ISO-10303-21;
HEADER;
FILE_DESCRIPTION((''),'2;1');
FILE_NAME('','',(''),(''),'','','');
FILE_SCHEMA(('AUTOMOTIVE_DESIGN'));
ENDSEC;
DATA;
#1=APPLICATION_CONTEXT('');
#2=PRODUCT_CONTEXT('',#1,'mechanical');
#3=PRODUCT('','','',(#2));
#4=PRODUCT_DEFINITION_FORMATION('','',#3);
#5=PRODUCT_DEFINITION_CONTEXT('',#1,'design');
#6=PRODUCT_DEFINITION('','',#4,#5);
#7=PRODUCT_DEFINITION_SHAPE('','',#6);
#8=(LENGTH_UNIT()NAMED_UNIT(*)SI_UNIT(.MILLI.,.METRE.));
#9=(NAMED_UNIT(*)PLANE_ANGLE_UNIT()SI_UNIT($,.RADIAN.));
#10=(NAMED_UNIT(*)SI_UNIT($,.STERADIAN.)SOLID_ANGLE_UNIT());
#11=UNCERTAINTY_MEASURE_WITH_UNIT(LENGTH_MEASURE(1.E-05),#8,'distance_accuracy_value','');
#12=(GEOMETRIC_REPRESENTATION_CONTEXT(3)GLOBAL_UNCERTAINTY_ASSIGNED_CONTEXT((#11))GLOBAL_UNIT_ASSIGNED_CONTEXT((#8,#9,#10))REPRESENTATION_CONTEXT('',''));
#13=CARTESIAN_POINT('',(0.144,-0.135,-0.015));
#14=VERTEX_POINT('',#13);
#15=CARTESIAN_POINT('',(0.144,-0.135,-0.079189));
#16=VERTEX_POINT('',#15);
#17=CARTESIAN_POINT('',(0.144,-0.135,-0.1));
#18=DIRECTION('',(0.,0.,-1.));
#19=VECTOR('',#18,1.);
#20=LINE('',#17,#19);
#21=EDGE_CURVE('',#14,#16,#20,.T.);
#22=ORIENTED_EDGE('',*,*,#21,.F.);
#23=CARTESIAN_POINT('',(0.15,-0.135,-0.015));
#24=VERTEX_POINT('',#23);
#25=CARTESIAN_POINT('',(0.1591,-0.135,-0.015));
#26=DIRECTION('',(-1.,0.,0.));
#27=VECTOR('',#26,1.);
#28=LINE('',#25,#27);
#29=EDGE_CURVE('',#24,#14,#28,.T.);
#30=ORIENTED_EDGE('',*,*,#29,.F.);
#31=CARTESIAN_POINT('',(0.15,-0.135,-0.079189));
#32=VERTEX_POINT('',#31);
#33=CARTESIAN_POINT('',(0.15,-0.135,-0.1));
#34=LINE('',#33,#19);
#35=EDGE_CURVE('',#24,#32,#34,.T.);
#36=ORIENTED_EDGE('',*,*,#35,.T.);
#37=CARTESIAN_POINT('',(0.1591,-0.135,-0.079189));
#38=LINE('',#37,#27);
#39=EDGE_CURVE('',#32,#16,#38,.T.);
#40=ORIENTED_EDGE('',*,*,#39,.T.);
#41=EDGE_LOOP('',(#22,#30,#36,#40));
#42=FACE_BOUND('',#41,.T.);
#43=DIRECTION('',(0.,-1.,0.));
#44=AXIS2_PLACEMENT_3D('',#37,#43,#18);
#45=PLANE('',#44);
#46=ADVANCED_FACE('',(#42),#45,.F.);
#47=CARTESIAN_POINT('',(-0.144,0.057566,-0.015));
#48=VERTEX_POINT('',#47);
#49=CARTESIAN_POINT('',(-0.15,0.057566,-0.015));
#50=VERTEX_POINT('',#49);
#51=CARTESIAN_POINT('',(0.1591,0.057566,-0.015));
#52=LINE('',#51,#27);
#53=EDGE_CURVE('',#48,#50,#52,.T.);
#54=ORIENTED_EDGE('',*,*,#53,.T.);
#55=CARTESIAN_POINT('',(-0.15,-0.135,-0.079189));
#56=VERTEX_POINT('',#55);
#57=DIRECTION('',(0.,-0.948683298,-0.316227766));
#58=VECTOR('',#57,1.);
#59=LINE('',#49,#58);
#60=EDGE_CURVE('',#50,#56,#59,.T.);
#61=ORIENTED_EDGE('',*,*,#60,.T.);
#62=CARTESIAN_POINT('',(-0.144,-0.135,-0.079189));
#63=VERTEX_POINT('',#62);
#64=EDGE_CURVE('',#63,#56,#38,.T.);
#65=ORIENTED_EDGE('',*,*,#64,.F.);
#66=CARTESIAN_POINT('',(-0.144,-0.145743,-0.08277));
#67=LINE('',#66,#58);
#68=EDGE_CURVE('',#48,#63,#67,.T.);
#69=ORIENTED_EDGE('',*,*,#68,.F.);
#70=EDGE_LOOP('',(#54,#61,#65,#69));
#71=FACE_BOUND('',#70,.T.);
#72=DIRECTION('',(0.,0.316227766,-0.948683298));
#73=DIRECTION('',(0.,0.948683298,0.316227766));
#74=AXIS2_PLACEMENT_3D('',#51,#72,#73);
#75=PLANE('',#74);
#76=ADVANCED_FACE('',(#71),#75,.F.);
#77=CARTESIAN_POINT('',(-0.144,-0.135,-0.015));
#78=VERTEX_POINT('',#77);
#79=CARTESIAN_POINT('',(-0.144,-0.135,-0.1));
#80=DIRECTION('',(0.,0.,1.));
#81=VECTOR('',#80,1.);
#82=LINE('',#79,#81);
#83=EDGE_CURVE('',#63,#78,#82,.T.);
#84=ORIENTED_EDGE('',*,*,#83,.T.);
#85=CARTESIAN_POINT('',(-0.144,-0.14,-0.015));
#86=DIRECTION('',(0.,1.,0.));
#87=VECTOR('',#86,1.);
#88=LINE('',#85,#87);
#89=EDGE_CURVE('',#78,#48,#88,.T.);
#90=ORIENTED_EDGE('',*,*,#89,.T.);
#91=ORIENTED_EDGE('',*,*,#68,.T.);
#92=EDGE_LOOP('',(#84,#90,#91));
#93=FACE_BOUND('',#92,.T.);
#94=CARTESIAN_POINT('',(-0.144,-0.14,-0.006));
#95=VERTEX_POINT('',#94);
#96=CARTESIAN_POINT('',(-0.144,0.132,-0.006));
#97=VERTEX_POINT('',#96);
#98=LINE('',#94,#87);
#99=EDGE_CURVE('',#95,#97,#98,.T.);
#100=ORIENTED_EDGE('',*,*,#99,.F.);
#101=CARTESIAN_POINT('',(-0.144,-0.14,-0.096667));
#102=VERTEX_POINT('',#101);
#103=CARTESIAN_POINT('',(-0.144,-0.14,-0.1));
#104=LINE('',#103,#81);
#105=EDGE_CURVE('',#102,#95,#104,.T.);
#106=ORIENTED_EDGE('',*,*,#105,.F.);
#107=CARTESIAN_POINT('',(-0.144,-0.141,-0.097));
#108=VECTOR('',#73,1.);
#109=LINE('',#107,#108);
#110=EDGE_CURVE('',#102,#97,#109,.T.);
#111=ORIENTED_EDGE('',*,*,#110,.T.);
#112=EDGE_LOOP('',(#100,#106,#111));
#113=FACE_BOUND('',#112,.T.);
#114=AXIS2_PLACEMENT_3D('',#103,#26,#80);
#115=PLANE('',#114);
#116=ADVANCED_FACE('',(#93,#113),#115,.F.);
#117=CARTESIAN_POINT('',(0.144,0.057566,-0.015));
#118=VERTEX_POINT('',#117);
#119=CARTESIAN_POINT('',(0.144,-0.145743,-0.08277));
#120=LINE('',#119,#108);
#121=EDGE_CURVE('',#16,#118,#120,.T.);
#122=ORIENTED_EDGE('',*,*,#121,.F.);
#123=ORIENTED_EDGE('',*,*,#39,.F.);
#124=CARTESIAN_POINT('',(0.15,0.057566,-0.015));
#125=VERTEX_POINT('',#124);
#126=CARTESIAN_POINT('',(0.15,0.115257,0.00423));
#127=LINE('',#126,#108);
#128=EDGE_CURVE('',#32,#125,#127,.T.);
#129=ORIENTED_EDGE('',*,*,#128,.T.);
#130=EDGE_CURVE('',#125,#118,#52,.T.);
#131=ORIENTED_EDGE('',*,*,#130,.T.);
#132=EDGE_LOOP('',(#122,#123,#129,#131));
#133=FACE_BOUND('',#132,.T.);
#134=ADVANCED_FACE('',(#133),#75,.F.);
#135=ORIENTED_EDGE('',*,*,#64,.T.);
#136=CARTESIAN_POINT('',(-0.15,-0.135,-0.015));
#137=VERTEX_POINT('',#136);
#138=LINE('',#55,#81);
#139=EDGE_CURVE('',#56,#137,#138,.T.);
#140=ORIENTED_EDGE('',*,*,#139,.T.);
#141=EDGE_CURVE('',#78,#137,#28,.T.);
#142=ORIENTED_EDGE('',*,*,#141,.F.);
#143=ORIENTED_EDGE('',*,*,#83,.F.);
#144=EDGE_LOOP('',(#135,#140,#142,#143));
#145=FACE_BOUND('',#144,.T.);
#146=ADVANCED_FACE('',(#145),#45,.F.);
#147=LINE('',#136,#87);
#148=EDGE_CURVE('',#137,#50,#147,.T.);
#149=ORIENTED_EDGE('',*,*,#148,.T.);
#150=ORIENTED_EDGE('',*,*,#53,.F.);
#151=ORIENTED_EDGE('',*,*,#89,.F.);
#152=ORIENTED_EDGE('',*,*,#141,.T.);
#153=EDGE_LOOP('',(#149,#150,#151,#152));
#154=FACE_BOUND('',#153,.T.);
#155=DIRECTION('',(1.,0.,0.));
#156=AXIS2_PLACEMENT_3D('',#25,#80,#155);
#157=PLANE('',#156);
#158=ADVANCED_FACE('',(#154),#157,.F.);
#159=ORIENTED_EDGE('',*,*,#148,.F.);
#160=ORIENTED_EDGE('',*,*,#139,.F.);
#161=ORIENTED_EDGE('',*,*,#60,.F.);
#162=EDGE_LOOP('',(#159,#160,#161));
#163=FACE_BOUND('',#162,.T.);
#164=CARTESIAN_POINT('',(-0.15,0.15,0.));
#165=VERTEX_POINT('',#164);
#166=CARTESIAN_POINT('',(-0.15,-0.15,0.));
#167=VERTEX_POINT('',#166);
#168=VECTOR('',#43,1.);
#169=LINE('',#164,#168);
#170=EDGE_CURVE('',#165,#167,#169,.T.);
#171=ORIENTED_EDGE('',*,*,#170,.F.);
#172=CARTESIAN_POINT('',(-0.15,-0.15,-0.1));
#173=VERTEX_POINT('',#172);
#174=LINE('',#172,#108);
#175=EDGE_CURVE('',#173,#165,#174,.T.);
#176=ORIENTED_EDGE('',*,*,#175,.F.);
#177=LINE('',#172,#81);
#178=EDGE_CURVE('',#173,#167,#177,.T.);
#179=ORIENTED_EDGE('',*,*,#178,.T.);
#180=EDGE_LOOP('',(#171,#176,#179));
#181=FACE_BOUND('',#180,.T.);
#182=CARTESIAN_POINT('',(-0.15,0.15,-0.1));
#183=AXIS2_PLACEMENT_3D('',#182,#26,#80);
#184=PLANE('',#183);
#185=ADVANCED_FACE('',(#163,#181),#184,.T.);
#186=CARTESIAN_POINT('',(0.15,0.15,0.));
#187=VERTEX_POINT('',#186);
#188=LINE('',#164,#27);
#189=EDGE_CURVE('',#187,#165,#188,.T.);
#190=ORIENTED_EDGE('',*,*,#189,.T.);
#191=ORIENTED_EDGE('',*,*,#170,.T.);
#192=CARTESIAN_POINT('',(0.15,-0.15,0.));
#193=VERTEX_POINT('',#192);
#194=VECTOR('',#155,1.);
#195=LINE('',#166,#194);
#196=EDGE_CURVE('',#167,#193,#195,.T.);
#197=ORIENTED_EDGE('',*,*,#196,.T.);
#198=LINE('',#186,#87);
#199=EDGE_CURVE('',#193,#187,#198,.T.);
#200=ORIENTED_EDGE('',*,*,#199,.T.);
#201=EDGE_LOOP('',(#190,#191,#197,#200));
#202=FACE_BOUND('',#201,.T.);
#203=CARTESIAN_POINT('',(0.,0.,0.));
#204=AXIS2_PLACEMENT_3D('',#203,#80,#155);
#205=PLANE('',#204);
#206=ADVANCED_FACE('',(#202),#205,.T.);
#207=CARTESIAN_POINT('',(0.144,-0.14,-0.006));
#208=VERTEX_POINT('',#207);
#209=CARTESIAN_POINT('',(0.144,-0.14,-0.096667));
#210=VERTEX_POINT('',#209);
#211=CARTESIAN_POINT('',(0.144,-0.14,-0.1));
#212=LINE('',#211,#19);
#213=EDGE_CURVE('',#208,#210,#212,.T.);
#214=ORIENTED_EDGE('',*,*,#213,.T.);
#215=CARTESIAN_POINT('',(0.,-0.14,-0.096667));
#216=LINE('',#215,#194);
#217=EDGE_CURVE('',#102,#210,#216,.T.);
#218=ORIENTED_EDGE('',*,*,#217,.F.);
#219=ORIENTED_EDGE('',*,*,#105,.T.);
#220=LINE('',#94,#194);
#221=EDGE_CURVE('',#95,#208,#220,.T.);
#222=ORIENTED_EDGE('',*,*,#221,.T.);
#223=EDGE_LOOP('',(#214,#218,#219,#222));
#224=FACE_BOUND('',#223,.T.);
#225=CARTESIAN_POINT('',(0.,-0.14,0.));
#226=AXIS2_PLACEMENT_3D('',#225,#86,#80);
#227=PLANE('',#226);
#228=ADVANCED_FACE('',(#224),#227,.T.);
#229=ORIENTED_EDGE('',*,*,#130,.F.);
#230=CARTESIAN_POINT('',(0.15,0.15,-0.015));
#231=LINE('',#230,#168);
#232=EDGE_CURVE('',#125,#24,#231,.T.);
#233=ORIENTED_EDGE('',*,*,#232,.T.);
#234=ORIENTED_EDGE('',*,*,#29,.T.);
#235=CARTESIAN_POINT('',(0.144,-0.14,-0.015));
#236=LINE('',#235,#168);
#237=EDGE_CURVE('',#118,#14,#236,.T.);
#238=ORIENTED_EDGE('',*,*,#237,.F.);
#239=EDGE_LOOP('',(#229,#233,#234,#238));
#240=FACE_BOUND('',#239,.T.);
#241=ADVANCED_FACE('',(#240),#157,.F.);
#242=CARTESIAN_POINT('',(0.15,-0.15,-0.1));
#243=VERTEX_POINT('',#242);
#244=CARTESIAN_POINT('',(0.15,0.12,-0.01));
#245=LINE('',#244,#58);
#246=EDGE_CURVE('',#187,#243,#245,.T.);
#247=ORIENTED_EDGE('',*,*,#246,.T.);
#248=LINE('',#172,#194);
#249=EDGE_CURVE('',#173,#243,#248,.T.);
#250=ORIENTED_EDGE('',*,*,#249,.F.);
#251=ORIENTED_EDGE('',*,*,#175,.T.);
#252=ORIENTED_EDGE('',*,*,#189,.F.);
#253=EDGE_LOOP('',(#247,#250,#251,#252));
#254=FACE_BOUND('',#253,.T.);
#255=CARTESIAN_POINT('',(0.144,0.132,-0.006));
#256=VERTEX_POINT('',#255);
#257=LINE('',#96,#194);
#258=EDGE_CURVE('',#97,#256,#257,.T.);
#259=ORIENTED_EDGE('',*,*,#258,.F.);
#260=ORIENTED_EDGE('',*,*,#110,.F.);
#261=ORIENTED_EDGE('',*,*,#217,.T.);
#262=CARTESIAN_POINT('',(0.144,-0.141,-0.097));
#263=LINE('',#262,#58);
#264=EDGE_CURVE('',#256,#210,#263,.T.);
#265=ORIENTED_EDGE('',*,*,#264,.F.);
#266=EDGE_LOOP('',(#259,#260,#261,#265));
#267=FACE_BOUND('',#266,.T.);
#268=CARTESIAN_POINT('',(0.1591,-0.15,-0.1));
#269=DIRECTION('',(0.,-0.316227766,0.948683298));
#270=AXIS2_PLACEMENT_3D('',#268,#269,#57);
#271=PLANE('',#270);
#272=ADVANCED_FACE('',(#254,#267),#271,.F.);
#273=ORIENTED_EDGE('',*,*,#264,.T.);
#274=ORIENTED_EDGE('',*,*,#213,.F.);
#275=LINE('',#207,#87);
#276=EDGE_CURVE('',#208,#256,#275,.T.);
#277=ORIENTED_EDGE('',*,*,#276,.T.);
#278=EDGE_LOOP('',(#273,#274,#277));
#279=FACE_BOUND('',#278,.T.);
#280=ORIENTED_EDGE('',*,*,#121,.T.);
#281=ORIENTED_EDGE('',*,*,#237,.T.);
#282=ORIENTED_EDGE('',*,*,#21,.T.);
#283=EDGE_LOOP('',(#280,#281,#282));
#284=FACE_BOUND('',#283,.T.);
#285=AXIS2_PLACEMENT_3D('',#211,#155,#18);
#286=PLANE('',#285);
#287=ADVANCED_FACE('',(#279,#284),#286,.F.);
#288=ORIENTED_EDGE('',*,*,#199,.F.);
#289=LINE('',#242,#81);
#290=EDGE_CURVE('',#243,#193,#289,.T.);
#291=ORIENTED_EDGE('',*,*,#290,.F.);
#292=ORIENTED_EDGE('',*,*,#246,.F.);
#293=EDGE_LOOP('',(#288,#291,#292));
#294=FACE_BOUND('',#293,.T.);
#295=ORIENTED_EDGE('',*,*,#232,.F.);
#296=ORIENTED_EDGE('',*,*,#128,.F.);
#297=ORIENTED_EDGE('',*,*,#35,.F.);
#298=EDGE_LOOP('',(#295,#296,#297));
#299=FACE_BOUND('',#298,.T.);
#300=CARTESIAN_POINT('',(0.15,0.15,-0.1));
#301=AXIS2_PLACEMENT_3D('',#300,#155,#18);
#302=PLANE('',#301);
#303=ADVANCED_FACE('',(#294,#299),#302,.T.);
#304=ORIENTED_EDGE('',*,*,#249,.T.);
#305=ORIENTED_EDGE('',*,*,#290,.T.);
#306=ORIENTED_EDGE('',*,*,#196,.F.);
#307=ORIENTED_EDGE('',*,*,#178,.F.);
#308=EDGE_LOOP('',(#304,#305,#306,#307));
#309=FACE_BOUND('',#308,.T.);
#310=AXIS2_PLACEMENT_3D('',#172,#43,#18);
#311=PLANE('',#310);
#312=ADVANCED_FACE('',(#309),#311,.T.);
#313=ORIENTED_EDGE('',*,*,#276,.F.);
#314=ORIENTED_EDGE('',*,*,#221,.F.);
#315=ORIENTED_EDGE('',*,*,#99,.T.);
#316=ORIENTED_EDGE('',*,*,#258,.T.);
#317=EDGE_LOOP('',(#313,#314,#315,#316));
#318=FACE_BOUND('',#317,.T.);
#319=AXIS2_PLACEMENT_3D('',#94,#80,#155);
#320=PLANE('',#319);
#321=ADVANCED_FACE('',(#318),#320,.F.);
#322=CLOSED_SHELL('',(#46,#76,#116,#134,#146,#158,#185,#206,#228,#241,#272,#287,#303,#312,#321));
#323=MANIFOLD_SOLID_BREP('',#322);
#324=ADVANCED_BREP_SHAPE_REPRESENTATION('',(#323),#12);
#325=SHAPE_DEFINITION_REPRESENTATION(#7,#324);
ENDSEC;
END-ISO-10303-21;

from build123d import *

# Parameters (mm, degrees)
SKETCH1_W           = 300
SKETCH1_H           = 300
BOSS_EXTRUDE1_DEPTH = 100
SKETCH4_W           = 288
SKETCH4_H           = 94
CUT_EXTRUDE1_DEPTH  = 290
CUT_EXTRUDE2_DEPTH  = 309.1
CUT_EXTRUDE3_DEPTH  = 309.1
SCALE1_SCALE        = 0.001


with BuildPart() as part:
    # Sketch1 → Boss-Extrude1 (new body)
    with BuildSketch(Plane.XY):
        Rectangle(SKETCH1_W, SKETCH1_H)
    extrude(amount=-BOSS_EXTRUDE1_DEPTH)

    # Sketch4 → Cut-Extrude1 (cut)
    with BuildSketch(Plane(origin=(0, 150, 0), x_dir=(1, 0, 0), z_dir=(0, 1, 0))):
        with Locations((0, 53)):
            Rectangle(SKETCH4_W, SKETCH4_H)
    extrude(amount=-CUT_EXTRUDE1_DEPTH, mode=Mode.SUBTRACT)

    # Sketch3 → Cut-Extrude2 (cut)
    with BuildSketch(Plane.ZY.offset(150)):
        Polygon((-100, 150), (-100, -150), (0, 150), align=None)
    extrude(amount=-CUT_EXTRUDE2_DEPTH, mode=Mode.SUBTRACT)

    # Sketch5 → Cut-Extrude3 (cut)
    with BuildSketch(Plane.ZY.offset(150)):
        Polygon((-15, -135), (-15, 57.565835097), (-79.188611699, -135), align=None)
    extrude(amount=-CUT_EXTRUDE3_DEPTH, mode=Mode.SUBTRACT)


with BuildPart() as part_1:
    # Scale1: scaled about (0, 0, 0)
    add(part.part.scale(SCALE1_SCALE))


solid = part_1.part
